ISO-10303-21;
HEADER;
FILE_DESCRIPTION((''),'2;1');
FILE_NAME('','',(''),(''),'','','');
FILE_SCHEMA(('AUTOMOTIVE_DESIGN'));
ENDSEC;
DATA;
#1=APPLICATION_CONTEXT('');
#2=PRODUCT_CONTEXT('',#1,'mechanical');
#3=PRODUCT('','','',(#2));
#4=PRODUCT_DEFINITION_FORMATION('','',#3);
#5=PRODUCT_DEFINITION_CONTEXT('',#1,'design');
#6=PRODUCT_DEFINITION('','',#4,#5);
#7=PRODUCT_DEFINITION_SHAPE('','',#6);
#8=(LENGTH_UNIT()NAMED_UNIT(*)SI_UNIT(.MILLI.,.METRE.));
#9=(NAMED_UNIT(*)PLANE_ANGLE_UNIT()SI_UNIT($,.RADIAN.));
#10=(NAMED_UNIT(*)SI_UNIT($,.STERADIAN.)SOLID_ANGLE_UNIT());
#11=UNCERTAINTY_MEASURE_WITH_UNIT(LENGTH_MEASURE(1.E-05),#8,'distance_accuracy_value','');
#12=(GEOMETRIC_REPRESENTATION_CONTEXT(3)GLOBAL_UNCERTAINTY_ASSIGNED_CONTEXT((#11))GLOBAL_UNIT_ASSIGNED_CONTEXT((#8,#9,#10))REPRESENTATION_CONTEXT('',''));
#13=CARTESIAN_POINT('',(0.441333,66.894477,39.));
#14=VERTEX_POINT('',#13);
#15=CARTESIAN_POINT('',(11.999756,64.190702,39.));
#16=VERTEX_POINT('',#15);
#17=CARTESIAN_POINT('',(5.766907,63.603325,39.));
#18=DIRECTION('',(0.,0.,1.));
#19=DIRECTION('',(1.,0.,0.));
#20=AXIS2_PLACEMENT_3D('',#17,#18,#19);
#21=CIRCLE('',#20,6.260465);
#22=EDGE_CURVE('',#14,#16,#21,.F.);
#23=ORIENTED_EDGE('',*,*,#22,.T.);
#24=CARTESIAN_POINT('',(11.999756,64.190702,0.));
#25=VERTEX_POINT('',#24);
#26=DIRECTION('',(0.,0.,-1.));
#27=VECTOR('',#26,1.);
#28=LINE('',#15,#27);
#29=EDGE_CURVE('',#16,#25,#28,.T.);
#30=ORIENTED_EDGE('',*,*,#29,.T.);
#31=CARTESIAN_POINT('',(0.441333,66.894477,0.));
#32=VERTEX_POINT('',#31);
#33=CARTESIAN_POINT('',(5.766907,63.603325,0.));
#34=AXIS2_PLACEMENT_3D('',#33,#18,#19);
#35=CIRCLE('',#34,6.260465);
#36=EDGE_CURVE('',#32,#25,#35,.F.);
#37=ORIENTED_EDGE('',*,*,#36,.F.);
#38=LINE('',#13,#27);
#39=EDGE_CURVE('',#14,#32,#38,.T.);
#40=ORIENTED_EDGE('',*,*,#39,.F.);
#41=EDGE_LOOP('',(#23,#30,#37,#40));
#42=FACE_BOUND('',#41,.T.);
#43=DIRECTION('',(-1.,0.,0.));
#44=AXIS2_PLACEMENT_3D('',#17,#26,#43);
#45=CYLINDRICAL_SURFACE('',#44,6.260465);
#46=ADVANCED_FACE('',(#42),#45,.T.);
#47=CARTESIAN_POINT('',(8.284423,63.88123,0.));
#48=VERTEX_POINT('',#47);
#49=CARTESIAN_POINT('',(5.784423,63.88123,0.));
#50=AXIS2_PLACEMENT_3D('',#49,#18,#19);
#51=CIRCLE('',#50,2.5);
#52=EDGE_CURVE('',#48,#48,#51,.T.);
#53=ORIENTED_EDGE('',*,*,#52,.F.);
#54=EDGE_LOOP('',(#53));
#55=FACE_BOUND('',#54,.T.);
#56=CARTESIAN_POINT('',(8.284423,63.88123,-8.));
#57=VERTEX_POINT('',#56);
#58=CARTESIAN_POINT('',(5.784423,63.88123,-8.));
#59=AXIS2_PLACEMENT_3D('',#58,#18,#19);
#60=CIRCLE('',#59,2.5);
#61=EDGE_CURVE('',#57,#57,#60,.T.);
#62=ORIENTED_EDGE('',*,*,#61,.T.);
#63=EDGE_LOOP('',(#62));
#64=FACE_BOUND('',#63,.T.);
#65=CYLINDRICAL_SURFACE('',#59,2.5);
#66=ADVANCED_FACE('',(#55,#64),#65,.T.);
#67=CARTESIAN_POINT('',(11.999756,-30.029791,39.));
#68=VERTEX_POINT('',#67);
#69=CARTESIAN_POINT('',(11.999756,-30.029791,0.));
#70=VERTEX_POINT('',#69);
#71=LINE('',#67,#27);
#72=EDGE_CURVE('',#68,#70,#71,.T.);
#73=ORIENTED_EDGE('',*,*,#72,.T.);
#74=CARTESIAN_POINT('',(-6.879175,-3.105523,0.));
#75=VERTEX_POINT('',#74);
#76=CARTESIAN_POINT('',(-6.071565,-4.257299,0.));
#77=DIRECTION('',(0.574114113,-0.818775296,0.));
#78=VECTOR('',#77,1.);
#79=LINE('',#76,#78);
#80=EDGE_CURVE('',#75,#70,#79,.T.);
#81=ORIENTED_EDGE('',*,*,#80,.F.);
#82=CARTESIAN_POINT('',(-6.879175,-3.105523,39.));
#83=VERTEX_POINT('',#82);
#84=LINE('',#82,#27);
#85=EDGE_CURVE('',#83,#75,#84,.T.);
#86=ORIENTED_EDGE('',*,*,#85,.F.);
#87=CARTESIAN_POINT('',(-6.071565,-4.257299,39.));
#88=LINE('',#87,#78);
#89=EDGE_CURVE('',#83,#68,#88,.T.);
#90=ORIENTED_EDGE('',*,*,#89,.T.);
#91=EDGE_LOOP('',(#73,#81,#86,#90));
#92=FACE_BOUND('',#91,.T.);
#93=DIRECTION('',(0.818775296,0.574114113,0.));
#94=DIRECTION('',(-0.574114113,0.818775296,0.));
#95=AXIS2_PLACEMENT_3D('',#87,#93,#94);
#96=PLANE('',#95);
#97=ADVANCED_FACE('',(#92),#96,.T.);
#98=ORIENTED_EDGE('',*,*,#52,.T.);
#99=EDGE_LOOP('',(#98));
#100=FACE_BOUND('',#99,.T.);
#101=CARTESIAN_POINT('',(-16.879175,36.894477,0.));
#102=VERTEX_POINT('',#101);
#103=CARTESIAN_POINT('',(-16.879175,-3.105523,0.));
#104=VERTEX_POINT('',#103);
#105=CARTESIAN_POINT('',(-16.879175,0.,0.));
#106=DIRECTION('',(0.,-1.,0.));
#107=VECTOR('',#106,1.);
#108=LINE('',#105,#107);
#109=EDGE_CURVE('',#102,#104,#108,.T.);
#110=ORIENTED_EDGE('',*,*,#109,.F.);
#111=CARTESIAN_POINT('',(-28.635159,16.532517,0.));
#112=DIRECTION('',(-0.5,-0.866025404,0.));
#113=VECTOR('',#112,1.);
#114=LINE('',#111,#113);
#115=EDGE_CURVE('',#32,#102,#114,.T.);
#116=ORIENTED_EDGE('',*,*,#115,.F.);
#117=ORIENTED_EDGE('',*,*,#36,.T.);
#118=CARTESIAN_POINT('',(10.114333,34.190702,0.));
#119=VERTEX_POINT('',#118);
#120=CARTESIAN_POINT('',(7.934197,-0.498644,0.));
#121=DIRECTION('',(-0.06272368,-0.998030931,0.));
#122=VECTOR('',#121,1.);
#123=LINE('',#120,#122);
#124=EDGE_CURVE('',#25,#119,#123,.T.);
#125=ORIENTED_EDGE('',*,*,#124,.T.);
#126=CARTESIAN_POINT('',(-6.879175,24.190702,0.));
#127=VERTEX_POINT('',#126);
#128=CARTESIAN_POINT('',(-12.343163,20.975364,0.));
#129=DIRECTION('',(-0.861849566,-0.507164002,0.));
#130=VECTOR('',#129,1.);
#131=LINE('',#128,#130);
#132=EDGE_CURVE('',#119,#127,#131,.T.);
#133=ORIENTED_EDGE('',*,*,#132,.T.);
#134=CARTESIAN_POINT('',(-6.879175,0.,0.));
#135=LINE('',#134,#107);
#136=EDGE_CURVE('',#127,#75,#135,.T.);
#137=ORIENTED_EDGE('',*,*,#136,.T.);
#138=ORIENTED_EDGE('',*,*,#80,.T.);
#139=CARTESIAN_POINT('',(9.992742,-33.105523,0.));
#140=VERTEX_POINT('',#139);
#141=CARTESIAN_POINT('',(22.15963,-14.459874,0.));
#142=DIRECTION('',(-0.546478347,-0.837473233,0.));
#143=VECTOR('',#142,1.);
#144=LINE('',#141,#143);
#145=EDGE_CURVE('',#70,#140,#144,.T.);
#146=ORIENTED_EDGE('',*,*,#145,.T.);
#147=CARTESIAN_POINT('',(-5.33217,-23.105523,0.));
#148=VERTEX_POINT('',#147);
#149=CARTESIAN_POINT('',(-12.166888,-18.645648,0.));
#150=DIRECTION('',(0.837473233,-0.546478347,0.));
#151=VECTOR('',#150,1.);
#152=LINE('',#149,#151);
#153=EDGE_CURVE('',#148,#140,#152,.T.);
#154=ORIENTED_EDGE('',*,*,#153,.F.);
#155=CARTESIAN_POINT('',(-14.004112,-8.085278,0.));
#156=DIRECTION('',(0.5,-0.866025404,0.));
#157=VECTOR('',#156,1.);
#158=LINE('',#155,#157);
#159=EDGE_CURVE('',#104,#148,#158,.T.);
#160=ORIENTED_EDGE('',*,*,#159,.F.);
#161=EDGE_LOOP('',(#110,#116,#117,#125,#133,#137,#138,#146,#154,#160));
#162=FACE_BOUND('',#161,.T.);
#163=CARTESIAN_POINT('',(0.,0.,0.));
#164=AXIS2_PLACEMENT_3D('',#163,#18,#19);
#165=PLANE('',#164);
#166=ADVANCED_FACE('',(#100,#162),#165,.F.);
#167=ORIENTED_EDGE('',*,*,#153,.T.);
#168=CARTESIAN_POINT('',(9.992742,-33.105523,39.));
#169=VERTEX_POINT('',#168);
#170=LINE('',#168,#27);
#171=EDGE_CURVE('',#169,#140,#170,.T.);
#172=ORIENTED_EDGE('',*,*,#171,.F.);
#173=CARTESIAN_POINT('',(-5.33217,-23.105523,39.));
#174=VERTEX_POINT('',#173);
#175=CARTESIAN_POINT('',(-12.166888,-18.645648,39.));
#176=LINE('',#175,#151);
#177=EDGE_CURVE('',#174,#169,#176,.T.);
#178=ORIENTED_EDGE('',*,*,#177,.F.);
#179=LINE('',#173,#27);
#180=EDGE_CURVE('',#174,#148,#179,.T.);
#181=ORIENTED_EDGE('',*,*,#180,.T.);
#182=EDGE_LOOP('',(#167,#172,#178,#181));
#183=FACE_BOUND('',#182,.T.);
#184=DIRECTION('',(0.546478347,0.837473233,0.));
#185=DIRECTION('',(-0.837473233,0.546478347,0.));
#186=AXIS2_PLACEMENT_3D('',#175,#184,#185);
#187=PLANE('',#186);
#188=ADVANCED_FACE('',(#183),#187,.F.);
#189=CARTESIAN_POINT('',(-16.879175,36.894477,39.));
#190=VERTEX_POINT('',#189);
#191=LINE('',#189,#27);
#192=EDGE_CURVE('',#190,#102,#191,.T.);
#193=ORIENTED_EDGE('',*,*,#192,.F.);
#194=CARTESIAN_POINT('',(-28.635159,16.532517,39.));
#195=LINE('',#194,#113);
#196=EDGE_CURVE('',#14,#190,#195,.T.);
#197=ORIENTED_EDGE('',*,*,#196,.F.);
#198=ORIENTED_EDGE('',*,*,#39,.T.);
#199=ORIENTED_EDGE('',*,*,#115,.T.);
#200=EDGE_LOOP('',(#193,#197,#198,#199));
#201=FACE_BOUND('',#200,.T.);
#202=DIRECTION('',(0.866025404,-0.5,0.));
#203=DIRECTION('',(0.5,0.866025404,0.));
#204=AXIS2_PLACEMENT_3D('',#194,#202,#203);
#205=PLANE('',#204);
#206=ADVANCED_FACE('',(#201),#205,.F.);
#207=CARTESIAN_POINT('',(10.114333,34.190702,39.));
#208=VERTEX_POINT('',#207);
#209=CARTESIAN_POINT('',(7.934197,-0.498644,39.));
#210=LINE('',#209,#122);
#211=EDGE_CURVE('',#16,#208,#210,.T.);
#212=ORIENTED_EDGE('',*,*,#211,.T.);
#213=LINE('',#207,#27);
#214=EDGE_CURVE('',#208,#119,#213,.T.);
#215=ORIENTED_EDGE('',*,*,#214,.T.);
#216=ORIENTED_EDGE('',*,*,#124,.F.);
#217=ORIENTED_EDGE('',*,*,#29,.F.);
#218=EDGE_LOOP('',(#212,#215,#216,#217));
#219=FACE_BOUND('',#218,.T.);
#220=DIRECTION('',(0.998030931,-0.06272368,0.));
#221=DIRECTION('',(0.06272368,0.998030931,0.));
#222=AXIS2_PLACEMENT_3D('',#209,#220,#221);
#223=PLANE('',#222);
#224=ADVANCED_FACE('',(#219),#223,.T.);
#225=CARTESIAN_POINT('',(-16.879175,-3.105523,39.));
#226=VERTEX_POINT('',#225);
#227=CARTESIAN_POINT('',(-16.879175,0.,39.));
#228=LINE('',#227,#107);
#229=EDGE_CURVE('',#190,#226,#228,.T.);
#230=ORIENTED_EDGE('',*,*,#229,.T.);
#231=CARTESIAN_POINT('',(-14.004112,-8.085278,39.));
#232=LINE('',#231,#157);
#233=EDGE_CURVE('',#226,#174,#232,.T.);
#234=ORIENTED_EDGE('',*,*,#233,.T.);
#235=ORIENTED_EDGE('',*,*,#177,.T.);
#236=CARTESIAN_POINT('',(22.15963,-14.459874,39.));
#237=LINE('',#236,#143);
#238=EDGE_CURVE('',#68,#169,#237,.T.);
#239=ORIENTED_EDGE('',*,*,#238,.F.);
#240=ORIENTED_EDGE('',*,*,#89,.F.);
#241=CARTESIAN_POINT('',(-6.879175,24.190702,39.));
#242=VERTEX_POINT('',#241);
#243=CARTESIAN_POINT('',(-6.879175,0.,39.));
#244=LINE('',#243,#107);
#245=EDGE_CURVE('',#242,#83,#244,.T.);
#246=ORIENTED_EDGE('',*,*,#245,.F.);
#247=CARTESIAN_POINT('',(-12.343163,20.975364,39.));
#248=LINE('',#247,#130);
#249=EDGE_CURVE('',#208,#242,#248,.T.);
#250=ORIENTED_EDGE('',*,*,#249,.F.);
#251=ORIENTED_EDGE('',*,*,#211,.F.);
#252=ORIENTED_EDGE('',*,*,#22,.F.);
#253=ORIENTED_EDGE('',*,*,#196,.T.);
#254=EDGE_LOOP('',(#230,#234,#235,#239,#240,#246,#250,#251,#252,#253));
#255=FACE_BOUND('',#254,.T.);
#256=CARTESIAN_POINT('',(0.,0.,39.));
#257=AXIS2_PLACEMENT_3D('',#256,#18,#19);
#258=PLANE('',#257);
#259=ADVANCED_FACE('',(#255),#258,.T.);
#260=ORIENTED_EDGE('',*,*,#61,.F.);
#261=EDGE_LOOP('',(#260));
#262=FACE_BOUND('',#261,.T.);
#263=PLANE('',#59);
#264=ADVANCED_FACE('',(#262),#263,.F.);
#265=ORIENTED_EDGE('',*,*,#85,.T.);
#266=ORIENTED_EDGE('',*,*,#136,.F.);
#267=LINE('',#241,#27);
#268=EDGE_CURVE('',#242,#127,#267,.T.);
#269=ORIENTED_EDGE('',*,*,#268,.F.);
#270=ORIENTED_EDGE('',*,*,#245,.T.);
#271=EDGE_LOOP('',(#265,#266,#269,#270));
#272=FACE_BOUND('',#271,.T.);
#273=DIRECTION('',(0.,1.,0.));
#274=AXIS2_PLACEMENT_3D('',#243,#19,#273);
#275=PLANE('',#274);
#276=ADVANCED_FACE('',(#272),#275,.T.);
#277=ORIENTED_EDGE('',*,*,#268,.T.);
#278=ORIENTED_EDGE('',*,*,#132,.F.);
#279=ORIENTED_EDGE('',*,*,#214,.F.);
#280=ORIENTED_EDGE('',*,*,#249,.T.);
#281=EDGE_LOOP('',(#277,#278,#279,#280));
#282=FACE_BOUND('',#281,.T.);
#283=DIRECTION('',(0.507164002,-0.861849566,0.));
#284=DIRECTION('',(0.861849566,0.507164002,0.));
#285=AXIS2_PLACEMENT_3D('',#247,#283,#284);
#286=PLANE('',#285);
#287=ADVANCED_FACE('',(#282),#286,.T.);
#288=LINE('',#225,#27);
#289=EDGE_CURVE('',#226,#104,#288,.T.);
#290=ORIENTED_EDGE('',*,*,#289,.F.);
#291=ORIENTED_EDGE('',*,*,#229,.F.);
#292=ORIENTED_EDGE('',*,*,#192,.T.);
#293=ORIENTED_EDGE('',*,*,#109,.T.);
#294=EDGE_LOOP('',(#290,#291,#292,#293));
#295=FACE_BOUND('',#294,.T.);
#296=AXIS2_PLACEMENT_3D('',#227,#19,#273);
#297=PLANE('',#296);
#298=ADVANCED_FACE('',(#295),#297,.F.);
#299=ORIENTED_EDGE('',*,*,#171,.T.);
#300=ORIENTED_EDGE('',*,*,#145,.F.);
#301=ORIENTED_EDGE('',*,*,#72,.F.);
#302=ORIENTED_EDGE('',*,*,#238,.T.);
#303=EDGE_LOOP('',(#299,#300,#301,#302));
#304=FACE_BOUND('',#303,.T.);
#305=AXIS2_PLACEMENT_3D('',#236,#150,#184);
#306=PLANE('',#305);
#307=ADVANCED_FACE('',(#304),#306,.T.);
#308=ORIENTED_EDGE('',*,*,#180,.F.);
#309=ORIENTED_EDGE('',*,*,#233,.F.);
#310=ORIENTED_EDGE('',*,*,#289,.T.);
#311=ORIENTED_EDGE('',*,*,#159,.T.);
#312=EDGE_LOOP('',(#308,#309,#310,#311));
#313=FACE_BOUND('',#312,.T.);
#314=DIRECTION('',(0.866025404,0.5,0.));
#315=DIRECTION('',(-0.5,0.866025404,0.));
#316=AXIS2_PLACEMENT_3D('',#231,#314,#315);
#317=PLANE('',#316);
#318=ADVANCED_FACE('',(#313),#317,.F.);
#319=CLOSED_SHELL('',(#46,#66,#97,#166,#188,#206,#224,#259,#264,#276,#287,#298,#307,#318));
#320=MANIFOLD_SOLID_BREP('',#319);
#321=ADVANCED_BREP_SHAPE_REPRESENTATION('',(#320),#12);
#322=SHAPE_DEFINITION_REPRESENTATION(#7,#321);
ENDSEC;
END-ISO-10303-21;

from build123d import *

# Parameters (mm, degrees)
EXTRUDE_4_DEPTH = 39
SKETCH_2_R      = 2.5
EXTRUDE_5_DEPTH = 8


with BuildPart() as part:
    # 草图1 → 凸台-拉伸4 (new body)
    with BuildSketch(Plane.XY):
        with BuildLine():
            ThreePointArc((11.999755772, 64.190702015), (7.19287537, 69.699227744), (0.441332655, 66.894477154))
            Line((0.441332655, 66.894477154), (-16.87917542, 36.894477154))
            Line((-16.87917542, 36.894477154), (-16.87917542, -3.105522846))
            Line((-16.87917542, -3.105522846), (-5.332170037, -23.105522846))
            Line((-5.332170037, -23.105522846), (9.992741519, -33.105522846))
            Line((9.992741519, -33.105522846), (11.999755772, -30.029791253))
            Line((11.999755772, -30.029791253), (-6.87917542, -3.105522846))
            Line((-6.87917542, -3.105522846), (-6.87917542, 14.190702015))
            Line((-6.87917542, 14.190702015), (-6.87917542, 24.190702015))
            Line((-6.87917542, 24.190702015), (10.114332844, 34.190702015))
            Line((10.114332844, 34.190702015), (11.999755772, 64.190702015))
        make_face()
    extrude(amount=EXTRUDE_4_DEPTH)

    # 草图2 → 凸台-拉伸5 (add)
    with BuildSketch(Plane.XY):
        with Locations((5.784422652, 63.881230161)):
            Circle(SKETCH_2_R)
    extrude(amount=-EXTRUDE_5_DEPTH)


solid = part.part
